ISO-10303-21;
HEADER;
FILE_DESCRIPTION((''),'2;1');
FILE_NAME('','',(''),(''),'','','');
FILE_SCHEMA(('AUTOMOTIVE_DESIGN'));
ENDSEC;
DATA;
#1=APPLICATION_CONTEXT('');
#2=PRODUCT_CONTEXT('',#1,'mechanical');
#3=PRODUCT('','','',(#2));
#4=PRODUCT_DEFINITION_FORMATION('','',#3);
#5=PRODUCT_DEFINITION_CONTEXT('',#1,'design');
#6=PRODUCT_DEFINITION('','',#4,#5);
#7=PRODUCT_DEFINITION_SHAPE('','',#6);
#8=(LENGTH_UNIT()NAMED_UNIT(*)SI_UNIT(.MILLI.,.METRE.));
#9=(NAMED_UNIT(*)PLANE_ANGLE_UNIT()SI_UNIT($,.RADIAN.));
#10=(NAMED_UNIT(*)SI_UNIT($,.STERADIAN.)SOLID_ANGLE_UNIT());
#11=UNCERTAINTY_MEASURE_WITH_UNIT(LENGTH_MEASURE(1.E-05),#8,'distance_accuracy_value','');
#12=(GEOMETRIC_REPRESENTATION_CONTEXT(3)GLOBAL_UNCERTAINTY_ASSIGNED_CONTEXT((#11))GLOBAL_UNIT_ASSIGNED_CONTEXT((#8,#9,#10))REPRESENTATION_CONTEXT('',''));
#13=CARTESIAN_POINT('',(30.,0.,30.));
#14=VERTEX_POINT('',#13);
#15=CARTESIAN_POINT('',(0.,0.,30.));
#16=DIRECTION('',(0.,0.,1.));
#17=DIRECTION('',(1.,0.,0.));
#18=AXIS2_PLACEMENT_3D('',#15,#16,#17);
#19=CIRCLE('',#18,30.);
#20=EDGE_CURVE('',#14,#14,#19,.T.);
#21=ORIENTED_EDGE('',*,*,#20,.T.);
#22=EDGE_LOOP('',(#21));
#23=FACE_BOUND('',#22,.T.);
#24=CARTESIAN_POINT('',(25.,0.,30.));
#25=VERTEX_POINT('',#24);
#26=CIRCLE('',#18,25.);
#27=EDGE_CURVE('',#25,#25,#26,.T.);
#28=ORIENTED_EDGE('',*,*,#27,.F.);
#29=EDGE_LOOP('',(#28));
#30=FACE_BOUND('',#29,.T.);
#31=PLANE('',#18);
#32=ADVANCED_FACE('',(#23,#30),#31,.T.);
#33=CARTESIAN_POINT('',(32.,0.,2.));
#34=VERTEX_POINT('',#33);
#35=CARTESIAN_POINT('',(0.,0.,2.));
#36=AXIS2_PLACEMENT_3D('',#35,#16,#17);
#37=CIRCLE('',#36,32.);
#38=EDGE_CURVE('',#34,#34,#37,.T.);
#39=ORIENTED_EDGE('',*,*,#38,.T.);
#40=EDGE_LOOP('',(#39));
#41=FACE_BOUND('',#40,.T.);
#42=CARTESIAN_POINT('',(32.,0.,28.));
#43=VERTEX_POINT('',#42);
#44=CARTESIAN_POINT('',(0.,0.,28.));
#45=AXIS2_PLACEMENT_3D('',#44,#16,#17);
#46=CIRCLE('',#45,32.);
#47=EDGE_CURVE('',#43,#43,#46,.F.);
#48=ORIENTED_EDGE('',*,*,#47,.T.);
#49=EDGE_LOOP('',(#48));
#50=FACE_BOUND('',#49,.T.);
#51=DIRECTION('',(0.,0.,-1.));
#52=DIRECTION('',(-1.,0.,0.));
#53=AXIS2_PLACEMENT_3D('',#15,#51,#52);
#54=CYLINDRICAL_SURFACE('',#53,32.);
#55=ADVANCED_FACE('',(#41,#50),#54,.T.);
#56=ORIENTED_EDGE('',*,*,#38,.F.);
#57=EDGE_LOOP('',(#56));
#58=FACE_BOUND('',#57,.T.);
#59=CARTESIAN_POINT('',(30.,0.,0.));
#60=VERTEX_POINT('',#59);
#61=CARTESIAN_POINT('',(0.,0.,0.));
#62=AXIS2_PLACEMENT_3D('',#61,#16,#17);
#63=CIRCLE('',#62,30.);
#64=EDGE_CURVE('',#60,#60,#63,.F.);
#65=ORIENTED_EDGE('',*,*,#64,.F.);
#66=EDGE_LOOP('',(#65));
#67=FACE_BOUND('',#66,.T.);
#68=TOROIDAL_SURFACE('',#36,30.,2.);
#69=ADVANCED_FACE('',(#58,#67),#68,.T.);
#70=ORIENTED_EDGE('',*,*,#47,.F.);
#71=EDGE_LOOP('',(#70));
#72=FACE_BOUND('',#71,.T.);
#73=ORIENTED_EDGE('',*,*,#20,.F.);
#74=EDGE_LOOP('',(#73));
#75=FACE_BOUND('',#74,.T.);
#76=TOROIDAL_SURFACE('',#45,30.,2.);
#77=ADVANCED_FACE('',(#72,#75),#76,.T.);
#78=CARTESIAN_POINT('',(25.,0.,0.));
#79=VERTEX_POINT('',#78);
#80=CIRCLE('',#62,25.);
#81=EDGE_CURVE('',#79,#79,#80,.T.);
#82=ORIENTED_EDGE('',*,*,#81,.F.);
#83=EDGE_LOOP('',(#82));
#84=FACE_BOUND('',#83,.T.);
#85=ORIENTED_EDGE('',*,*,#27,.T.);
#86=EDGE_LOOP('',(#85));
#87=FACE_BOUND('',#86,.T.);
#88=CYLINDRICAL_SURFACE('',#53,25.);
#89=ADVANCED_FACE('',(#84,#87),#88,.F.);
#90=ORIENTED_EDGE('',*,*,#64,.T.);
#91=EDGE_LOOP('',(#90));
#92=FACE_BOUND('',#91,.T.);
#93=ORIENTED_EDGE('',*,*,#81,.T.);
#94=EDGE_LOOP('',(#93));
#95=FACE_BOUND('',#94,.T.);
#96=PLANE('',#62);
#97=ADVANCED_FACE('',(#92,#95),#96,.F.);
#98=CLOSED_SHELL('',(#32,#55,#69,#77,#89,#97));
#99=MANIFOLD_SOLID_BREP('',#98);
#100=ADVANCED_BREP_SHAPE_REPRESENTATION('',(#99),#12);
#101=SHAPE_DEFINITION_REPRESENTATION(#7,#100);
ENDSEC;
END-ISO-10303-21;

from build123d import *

# Parameters (mm, degrees)
ESQUISSE1_R          = 32
ESQUISSE1_R_2        = 25
BASE_EXTRUSION_DEPTH = 30
CONG_1_R             = 2


with BuildPart() as part:
    # Esquisse1 → Base-Extrusion (new body)
    with BuildSketch(Plane.XY):
        Circle(ESQUISSE1_R)
        Circle(ESQUISSE1_R_2, mode=Mode.SUBTRACT)
    extrude(amount=BASE_EXTRUSION_DEPTH)

    # Congé1
    cong_1_edges = [part.edges().sort_by_distance(p)[0] for p in [
        (-32, 0, 0),
        (-32, 0, 30),
    ]]
    fillet(cong_1_edges, radius=CONG_1_R)


solid = part.part
